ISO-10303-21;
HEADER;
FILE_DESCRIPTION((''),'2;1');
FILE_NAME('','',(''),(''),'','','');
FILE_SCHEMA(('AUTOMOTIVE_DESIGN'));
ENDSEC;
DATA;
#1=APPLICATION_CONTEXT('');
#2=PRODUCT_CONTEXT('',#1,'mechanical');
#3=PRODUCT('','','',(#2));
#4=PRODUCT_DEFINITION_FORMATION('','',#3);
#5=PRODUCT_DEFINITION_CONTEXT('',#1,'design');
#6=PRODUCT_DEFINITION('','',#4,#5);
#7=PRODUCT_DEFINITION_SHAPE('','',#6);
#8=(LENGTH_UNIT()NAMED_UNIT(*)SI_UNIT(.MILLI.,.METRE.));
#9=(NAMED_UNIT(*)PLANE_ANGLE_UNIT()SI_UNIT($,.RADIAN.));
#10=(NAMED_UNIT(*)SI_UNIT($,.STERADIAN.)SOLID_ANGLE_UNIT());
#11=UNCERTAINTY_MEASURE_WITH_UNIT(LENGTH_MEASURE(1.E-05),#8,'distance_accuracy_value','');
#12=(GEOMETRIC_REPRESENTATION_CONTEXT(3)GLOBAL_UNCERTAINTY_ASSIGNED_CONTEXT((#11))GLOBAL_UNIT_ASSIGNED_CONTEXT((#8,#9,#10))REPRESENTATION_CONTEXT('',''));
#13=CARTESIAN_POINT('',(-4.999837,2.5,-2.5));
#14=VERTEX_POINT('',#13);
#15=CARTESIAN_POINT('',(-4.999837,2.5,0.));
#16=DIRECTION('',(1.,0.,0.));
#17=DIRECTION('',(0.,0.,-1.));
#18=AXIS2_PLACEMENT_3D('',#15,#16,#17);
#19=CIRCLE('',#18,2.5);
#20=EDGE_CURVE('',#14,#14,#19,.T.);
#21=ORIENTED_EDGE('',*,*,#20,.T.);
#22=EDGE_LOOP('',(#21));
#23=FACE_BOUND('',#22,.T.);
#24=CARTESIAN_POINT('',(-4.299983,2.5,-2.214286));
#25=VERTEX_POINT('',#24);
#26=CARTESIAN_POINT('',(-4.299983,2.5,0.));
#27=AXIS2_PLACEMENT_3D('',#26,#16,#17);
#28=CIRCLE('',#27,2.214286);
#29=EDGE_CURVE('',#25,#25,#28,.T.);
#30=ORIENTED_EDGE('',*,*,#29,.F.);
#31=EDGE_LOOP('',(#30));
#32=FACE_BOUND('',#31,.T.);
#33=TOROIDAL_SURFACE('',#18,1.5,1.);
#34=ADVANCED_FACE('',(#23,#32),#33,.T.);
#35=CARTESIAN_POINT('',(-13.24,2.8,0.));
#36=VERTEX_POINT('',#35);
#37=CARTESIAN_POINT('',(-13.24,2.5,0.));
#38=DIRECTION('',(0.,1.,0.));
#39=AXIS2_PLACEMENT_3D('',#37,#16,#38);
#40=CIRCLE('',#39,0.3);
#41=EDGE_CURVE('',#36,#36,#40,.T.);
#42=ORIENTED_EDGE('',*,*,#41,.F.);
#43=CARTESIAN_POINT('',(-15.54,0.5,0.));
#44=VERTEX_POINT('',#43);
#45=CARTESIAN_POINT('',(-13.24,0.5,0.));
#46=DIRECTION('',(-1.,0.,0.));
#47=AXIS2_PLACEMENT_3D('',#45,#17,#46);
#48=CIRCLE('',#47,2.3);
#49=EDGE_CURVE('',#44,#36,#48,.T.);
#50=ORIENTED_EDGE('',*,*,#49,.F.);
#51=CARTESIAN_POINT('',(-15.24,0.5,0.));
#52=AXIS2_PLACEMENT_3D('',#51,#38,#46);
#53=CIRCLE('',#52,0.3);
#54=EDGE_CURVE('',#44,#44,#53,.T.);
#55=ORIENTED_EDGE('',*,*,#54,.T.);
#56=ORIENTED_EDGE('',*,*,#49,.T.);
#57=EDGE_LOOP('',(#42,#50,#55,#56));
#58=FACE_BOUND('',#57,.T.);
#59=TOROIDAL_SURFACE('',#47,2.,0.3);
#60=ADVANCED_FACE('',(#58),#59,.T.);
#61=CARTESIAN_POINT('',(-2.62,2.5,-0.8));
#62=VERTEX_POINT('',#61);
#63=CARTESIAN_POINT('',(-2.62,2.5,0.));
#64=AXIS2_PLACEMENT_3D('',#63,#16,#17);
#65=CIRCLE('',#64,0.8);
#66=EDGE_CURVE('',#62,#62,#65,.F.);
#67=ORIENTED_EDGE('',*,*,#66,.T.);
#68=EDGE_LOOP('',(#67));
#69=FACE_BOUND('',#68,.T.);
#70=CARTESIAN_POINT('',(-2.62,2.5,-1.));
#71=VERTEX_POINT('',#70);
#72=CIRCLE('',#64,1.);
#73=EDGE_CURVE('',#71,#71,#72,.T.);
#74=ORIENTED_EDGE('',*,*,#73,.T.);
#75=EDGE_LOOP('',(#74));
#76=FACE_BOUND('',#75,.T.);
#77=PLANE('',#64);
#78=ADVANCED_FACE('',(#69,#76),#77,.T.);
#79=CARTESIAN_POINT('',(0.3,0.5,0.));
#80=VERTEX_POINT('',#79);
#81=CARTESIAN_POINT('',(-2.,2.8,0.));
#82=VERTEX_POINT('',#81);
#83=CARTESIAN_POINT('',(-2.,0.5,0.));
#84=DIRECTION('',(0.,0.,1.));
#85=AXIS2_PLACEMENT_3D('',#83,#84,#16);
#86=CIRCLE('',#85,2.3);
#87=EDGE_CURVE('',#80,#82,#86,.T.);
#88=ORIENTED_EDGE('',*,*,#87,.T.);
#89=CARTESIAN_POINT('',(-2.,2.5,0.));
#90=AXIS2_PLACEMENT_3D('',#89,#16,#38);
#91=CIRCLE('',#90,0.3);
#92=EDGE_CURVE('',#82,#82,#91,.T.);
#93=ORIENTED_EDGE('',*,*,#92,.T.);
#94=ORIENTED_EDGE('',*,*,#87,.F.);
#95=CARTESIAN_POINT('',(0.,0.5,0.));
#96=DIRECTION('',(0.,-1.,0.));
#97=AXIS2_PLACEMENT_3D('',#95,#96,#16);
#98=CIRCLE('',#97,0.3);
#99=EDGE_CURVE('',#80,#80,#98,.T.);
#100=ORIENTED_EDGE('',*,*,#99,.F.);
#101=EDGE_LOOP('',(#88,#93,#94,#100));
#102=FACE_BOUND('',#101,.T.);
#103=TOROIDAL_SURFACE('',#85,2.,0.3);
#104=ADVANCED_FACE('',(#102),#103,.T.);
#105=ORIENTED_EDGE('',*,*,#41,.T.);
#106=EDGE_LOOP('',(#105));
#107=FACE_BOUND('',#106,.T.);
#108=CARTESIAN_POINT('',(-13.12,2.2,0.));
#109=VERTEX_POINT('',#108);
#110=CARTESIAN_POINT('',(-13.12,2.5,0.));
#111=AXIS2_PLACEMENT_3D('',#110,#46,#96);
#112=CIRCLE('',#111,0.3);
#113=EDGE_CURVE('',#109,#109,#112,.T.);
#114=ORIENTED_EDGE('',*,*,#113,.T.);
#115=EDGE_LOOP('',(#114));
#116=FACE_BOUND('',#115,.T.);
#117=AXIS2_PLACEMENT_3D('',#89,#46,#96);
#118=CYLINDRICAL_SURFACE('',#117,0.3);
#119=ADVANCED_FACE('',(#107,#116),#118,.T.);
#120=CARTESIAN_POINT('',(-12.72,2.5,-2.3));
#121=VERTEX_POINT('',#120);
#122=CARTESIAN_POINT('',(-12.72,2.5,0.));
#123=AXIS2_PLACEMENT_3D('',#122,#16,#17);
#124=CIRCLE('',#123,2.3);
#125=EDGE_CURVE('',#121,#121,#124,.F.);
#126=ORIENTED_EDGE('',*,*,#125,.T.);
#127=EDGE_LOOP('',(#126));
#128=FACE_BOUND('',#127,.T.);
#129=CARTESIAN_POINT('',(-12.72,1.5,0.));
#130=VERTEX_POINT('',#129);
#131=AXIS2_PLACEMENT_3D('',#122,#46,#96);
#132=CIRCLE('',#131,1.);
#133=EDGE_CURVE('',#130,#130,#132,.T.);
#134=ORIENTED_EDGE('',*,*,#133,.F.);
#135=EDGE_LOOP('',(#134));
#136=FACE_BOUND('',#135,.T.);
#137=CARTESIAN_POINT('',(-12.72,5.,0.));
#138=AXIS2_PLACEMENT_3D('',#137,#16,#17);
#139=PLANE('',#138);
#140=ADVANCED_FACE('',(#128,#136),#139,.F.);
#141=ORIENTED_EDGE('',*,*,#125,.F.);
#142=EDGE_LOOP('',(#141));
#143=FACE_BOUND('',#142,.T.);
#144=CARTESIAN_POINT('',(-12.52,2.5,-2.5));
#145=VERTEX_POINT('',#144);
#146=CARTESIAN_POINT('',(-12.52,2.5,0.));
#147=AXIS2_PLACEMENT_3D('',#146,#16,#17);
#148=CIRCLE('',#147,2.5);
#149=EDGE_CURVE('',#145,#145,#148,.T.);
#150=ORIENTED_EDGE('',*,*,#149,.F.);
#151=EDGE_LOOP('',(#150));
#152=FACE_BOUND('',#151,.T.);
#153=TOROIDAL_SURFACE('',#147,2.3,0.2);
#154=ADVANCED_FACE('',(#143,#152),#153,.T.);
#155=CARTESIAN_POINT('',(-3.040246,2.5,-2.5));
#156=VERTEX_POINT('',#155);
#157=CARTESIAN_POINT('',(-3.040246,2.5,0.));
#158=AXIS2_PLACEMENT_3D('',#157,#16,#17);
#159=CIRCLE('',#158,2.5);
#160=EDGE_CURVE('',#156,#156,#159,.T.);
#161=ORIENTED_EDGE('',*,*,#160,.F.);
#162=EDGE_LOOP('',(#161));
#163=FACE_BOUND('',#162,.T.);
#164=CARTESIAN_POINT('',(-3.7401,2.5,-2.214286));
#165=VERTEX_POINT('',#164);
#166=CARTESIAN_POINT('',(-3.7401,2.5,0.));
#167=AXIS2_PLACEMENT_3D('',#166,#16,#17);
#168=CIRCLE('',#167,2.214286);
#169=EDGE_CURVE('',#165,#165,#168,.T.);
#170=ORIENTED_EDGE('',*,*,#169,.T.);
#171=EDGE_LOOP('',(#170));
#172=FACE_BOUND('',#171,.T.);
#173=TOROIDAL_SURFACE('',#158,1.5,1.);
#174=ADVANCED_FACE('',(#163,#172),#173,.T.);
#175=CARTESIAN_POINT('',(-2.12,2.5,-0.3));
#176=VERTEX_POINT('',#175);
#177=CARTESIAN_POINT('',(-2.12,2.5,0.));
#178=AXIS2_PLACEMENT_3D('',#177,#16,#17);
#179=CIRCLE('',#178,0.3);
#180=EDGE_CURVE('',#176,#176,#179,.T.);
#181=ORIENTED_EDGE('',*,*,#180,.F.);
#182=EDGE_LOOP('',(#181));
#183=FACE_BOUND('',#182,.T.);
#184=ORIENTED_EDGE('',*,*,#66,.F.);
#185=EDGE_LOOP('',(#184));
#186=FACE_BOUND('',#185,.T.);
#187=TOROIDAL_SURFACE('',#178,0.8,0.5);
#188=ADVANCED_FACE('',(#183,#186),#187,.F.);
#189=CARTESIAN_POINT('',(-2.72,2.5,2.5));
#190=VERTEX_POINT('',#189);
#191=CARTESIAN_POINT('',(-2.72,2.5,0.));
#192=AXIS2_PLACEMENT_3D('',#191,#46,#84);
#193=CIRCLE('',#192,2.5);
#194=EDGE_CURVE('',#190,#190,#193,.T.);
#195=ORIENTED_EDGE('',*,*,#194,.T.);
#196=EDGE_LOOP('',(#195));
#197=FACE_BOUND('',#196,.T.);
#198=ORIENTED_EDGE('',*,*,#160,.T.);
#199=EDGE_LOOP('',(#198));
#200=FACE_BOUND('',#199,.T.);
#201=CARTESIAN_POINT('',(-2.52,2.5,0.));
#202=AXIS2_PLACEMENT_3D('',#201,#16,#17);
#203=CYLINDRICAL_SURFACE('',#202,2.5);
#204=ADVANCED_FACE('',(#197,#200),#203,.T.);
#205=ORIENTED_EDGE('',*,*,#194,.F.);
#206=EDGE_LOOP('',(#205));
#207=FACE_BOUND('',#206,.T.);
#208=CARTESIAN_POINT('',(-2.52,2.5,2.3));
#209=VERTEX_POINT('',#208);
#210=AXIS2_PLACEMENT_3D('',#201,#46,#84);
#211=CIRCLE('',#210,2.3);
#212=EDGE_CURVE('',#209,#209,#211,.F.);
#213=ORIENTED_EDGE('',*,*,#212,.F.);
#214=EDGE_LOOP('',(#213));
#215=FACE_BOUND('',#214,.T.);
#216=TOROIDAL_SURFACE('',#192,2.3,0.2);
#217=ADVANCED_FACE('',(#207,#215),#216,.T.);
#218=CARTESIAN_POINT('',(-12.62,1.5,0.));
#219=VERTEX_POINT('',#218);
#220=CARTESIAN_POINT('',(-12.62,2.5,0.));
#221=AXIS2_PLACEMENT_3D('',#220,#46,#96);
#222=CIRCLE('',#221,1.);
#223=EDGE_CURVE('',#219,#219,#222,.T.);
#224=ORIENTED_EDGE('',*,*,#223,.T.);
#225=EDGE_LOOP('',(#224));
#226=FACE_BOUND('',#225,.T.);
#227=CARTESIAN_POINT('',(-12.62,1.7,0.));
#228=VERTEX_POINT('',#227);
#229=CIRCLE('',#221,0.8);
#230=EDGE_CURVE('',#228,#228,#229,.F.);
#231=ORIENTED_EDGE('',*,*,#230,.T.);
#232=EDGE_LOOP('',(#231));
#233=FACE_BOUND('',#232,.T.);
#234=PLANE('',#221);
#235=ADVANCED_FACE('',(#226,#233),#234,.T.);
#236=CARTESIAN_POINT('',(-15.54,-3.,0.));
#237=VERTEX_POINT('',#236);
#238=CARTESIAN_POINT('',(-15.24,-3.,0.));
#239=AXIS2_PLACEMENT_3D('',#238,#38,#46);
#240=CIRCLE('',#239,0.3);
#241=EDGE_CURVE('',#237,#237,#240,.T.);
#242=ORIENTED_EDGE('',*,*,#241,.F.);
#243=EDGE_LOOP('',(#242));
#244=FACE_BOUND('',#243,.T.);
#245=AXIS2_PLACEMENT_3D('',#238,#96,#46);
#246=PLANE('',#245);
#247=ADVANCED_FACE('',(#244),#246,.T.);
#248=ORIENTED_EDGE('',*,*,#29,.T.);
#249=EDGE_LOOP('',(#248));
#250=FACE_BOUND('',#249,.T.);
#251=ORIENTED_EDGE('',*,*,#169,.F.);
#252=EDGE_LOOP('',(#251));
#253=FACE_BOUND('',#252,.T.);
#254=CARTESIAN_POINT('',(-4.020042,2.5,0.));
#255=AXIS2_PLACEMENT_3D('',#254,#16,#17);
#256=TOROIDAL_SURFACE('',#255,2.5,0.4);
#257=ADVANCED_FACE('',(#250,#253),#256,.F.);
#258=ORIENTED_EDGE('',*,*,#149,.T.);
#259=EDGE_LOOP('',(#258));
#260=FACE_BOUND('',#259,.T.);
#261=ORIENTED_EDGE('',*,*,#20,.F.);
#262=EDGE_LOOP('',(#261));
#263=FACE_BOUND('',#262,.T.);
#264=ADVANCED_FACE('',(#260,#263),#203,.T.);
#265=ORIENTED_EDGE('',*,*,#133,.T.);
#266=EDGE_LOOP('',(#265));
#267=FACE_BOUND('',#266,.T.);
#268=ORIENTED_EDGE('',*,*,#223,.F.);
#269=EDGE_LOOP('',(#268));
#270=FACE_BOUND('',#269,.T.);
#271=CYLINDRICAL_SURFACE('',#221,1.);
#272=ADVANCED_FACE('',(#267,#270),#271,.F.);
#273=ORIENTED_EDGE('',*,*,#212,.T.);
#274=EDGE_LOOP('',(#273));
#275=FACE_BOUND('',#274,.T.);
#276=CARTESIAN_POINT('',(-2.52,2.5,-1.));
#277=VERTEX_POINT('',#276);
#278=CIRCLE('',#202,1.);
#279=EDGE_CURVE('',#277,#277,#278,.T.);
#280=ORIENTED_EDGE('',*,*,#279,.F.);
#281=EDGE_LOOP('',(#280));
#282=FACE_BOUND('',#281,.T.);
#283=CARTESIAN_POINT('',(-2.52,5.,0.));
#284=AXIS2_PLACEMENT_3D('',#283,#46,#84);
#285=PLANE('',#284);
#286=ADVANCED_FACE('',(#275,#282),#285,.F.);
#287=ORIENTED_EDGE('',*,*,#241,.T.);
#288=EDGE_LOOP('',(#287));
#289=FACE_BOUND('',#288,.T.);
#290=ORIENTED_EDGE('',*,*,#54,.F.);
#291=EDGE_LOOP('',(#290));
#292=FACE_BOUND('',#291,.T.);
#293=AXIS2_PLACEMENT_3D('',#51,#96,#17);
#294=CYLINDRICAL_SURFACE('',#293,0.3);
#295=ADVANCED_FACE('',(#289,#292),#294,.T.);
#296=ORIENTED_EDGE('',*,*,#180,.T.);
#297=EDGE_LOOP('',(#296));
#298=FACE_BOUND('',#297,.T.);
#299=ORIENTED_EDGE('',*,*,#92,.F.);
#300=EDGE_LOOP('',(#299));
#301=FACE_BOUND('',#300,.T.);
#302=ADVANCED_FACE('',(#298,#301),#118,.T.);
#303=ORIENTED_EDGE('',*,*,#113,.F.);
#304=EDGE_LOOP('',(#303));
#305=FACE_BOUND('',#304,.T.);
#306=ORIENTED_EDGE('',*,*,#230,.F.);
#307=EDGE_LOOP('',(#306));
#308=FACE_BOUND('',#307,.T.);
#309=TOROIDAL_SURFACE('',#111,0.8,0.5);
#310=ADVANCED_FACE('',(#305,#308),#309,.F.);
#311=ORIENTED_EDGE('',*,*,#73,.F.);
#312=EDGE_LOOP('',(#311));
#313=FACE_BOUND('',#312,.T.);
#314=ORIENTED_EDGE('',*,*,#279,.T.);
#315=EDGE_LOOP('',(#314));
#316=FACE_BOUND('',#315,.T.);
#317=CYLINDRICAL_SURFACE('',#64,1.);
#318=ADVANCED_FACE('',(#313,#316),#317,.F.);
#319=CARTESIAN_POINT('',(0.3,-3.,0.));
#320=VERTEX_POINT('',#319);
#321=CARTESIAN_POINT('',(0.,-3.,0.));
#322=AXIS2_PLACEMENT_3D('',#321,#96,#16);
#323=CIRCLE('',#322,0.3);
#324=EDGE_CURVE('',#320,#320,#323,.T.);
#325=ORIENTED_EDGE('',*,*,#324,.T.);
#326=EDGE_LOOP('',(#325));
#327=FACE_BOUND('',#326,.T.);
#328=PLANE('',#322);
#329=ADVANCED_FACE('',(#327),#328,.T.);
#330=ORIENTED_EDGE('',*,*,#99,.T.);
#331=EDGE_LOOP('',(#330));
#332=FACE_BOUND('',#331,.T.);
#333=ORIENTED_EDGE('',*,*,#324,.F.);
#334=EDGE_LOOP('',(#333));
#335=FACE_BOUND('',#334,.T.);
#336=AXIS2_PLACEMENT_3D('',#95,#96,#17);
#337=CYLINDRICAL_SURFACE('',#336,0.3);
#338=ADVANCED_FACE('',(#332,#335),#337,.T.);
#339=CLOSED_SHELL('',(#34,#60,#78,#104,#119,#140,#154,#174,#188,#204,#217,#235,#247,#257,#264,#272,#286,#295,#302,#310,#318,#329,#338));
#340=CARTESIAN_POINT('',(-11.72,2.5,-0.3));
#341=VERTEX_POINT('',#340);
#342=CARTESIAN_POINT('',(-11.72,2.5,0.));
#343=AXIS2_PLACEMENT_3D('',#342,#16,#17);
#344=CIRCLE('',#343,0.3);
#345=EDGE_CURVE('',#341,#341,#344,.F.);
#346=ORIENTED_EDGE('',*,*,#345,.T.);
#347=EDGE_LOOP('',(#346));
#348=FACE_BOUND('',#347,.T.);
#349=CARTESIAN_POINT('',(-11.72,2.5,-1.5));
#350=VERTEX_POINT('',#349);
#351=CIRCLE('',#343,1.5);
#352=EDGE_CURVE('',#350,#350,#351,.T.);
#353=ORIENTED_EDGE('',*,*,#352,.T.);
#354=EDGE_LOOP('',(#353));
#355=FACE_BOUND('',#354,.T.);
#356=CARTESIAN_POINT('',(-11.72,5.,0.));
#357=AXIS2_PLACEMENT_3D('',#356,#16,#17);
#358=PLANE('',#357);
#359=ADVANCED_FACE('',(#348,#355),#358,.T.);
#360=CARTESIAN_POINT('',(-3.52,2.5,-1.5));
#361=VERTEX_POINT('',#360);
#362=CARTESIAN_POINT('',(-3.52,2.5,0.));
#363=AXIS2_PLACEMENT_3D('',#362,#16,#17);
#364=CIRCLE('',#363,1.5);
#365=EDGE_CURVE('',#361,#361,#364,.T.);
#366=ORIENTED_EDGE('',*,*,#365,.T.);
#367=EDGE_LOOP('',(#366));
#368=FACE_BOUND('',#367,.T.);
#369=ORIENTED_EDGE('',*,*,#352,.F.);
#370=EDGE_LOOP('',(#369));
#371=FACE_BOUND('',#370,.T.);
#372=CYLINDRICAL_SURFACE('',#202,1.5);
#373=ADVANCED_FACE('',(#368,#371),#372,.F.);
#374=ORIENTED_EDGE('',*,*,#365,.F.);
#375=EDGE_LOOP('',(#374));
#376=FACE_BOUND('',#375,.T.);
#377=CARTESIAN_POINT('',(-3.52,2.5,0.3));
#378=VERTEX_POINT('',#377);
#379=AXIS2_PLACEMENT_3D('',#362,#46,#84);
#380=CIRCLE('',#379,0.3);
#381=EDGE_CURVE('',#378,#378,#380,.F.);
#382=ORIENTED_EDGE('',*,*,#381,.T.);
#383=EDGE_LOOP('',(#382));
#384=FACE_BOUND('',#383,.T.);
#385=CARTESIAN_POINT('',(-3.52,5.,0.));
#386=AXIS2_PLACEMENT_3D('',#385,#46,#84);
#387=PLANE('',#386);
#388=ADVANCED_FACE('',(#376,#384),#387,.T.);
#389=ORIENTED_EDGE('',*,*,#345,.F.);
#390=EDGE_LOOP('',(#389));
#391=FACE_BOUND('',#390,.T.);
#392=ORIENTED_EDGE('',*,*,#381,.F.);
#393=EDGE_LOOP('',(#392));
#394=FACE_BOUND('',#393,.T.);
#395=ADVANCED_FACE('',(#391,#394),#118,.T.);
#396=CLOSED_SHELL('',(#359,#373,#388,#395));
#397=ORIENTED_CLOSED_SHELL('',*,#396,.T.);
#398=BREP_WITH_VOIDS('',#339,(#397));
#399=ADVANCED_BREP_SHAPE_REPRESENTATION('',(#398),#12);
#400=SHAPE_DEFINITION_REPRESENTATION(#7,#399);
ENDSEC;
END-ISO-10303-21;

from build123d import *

# Parameters (mm, degrees)
SKETCH2_R                = 1
CUT_EXTRUDE1_DEPTH       = 0.1
SKETCH3_R                = 1
CUT_EXTRUDE2_DEPTH       = 0.1
FILLET1_R                = 0.2
SKETCH4_R                = 0.3
BOSS_EXTRUDE1_DEPTH      = 0.62
BOSS_EXTRUDE1_DEPTH_BACK = 10.62
FILLET2_R                = 0.5
SKETCH7_R                = 0.3


with BuildPart() as part:
    # Sketch1 → Base-Revolve-Thin (revolve)
    with BuildSketch(Plane.XY):
        Polygon((-12.72, 2.5), (-12.72, 5), (-2.52, 5), (-2.52, 2.5), (-3.52, 2.5), (-3.52, 4), (-11.72, 4), (-11.72, 2.5), align=None)
    revolve(axis=Axis((-2.52, 2.5, 0), (-1, 0, 0)))

    # Sketch2 → Cut-Extrude1 (cut)
    with BuildSketch(Plane(origin=(-2.52, 0, 0), x_dir=(0, 0, -1), z_dir=(1, 0, 0))):
        with Locations((0, 2.5)):
            Circle(SKETCH2_R)
    extrude(amount=-CUT_EXTRUDE1_DEPTH, mode=Mode.SUBTRACT)

    # Sketch3 → Cut-Extrude2 (cut)
    with BuildSketch(Plane.ZY.offset(12.72)):
        with Locations((0, 2.5)):
            Circle(SKETCH3_R)
    extrude(amount=-CUT_EXTRUDE2_DEPTH, mode=Mode.SUBTRACT)

    # Fillet1
    fillet1_edges = [part.edges().sort_by_distance(p)[0] for p in [
        (-2.52, 0, 0),
        (-12.72, 0, 0),
    ]]
    fillet(fillet1_edges, radius=FILLET1_R)

    # Sketch4 → Boss-Extrude1 (add, two sides)
    with BuildSketch(Plane(origin=(-2.62, 0, 0), x_dir=(0, 0, -1), z_dir=(1, 0, 0))) as boss_extrude1_sk:
        with Locations((0, 2.5)):
            Circle(SKETCH4_R)
    extrude(amount=BOSS_EXTRUDE1_DEPTH)
    extrude(boss_extrude1_sk.sketch, amount=-BOSS_EXTRUDE1_DEPTH_BACK)

    # Fillet2
    fillet2_edges = [part.edges().sort_by_distance(p)[0] for p in [
        (-2.62, 2.5, 0.3),
        (-12.62, 2.5, 0.3),
    ]]
    fillet(fillet2_edges, radius=FILLET2_R)

    # Boss-Sweep2: sweep along a path in Sketch5
    with BuildLine(Plane.XY) as boss_sweep2_path:
        Line((0, -3), (0, 0.5))
        ThreePointArc((0, 0.5), (-0.585786438, 1.914213562), (-2, 2.5))
    # Sketch7 → Boss-Sweep2 (sweep)
    with BuildSketch(Plane(origin=(-2, 0, 0), x_dir=(0, 0, -1), z_dir=(1, 0, 0))):
        with Locations((0, 2.5)):
            Circle(SKETCH7_R)
    boss_sweep2 = sweep(path=boss_sweep2_path.line)

    # Mirror1: Boss-Sweep2 across plane
    add(boss_sweep2.mirror(Plane(origin=(-7.62, 0, 0), x_dir=(0, 0, 1), z_dir=(1, 0, 0))))

    # Sketch8 → Cut-Revolve1 (revolve, cut)
    with BuildSketch(Plane.XY):
        with BuildLine():
            Line((-3.040246079, 5), (-4.999837057, 5))
            ThreePointArc((-4.999837057, 5), (-4.621872773, 4.925820177), (-4.299983136, 4.714286))
            ThreePointArc((-4.299983136, 4.714286), (-4.020041568, 4.6000004), (-3.7401, 4.714286))
            ThreePointArc((-3.7401, 4.714286), (-3.418210363, 4.925820177), (-3.040246079, 5))
        make_face()
    revolve(axis=Axis((-2.979129248, 2.5, 0), (-1, 0, 0)), mode=Mode.SUBTRACT)


solid = part.part
